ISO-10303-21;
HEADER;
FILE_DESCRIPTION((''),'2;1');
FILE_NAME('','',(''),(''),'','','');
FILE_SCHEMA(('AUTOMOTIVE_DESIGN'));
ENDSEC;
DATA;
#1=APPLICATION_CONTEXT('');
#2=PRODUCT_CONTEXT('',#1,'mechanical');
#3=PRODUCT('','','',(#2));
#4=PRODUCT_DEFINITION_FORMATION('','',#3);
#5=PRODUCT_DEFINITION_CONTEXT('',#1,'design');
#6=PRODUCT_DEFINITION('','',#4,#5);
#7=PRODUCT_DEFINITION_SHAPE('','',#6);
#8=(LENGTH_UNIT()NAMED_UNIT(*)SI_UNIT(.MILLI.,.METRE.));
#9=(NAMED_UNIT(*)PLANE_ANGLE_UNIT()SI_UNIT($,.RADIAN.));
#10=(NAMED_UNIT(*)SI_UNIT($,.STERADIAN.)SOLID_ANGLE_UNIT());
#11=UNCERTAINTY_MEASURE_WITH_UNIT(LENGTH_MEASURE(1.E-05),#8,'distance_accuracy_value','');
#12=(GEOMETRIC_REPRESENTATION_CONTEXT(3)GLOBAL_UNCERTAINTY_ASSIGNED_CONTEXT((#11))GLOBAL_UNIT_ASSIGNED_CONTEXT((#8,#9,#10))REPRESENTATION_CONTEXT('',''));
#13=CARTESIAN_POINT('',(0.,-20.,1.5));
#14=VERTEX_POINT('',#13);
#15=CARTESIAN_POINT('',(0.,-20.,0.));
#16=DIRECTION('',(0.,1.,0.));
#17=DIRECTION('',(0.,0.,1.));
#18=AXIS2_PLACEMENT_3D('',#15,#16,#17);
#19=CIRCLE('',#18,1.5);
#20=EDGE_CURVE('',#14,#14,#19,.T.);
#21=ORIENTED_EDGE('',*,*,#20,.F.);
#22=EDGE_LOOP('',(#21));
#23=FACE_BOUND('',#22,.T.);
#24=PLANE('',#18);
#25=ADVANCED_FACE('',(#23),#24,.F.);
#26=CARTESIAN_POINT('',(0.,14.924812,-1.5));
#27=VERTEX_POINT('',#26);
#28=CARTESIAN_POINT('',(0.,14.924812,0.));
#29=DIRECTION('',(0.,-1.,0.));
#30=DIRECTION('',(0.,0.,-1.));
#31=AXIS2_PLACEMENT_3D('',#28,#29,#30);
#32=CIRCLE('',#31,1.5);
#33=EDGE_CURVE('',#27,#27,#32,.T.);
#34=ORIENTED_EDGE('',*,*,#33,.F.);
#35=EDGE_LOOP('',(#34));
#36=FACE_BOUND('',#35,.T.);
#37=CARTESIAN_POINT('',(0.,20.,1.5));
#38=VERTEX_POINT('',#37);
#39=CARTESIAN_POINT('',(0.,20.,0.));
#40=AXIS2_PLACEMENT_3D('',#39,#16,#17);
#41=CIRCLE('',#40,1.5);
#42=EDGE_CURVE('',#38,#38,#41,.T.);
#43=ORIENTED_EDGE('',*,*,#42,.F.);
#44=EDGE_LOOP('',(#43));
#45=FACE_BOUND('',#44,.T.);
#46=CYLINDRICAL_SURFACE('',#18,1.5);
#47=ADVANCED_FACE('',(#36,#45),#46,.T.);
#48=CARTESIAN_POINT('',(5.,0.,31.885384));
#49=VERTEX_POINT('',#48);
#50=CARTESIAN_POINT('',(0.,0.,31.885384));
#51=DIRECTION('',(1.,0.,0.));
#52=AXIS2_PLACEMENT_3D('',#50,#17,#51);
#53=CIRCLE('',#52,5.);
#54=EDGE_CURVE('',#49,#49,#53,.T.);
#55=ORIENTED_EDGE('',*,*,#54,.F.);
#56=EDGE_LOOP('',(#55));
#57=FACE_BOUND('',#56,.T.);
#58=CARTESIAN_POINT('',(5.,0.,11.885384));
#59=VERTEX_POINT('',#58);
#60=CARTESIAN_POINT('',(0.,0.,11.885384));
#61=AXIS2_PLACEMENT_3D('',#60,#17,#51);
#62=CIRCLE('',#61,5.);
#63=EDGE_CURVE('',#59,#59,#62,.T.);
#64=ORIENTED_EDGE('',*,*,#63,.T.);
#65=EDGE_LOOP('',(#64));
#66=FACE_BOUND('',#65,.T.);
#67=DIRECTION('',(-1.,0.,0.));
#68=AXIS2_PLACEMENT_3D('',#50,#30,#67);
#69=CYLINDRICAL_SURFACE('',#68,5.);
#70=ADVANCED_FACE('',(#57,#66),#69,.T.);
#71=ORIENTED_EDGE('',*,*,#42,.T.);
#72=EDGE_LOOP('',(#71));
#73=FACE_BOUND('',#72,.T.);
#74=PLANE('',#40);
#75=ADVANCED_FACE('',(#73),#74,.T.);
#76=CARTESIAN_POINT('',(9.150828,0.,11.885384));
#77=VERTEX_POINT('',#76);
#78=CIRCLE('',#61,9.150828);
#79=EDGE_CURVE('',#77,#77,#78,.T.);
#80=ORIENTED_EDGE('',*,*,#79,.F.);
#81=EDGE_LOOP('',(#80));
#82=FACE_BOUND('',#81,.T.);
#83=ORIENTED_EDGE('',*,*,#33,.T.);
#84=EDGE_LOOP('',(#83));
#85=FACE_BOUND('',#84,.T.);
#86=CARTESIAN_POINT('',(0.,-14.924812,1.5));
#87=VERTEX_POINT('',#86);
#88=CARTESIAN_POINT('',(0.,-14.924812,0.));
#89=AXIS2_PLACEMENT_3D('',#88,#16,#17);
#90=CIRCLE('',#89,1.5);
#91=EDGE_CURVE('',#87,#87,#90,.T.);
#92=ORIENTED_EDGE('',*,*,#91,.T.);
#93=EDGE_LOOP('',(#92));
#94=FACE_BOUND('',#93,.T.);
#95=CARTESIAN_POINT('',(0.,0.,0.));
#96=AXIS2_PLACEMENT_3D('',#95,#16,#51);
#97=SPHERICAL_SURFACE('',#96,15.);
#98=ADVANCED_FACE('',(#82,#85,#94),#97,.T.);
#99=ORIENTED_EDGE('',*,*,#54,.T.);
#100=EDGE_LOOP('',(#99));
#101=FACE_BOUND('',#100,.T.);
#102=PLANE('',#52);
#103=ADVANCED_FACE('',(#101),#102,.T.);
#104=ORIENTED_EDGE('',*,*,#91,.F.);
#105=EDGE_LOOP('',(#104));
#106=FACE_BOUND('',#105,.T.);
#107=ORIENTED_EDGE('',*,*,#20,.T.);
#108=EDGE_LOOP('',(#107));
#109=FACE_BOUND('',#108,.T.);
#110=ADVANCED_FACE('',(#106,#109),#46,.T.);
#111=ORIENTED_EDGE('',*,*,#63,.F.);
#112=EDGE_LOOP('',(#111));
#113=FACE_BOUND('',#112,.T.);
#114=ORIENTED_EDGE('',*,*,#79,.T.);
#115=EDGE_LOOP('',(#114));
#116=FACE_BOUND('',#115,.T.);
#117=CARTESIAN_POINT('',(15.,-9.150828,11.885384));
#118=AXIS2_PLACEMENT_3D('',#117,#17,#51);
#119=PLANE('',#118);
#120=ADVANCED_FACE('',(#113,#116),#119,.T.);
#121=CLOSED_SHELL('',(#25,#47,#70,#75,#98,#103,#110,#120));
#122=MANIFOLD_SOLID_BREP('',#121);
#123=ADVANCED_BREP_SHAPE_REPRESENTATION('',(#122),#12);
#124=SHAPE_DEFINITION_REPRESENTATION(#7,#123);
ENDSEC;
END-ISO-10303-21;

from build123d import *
from build123d.topology import SkipClean

# Parameters (mm, degrees)
CORTAR_EXTRUIR1_DEPTH        = 15
CORTAR_EXTRUIR1_DEPTH_BACK   = 10
CROQUIS2_W                   = 6.229232722
CROQUIS2_H                   = 18.301656292
SALIENTE_EXTRUIR1_DEPTH      = 20
SALIENTE_EXTRUIR1_DEPTH_BACK = 20
CROQUIS3_R                   = 1.5
CROQUIS4_R                   = 5
SALIENTE_EXTRUIR2_DEPTH      = 20


with BuildPart() as part:
    # Croquis1 → Revolución2 (revolve)
    with BuildSketch(Plane.XY):
        with BuildLine():
            Line((0, 15), (0, -15))
            ThreePointArc((0, -15), (15, 0), (0, 15))
        make_face()
    revolve(axis=Axis((0, 15, 0), (0, -1, 0)))

    # Croquis2 → Cortar-Extruir1 (cut, two sides: drawn at the far end of the back side and taken through both)
    with SkipClean():  # the faces are left unmerged after this step: merging them gives an invalid solid
        with BuildSketch(Plane(origin=(0, 0, 0), x_dir=(0, 0, -1), z_dir=(1, 0, 0)).offset(-CORTAR_EXTRUIR1_DEPTH_BACK)):
            with Locations((-15, 0)):
                Rectangle(CROQUIS2_W, CROQUIS2_H)
        extrude(amount=CORTAR_EXTRUIR1_DEPTH + CORTAR_EXTRUIR1_DEPTH_BACK, mode=Mode.SUBTRACT)

    # Croquis3 → Saliente-Extruir1 (add, two sides: drawn at the far end of the back side and taken through both)
    with SkipClean():  # the faces are left unmerged after this step: merging them gives an invalid solid
        with BuildSketch(Plane(origin=(0, 0, 0), x_dir=(1, 0, 0), z_dir=(0, 1, 0)).offset(-SALIENTE_EXTRUIR1_DEPTH_BACK)):
            Circle(CROQUIS3_R)
        extrude(amount=SALIENTE_EXTRUIR1_DEPTH + SALIENTE_EXTRUIR1_DEPTH_BACK)

    # Croquis4 → Saliente-Extruir2 (add)
    with SkipClean():  # the faces are left unmerged after this step: merging them gives an invalid solid
        with BuildSketch(Plane.XY.offset(11.885383639)):
            Circle(CROQUIS4_R)
        extrude(amount=SALIENTE_EXTRUIR2_DEPTH)


solid = part.part
